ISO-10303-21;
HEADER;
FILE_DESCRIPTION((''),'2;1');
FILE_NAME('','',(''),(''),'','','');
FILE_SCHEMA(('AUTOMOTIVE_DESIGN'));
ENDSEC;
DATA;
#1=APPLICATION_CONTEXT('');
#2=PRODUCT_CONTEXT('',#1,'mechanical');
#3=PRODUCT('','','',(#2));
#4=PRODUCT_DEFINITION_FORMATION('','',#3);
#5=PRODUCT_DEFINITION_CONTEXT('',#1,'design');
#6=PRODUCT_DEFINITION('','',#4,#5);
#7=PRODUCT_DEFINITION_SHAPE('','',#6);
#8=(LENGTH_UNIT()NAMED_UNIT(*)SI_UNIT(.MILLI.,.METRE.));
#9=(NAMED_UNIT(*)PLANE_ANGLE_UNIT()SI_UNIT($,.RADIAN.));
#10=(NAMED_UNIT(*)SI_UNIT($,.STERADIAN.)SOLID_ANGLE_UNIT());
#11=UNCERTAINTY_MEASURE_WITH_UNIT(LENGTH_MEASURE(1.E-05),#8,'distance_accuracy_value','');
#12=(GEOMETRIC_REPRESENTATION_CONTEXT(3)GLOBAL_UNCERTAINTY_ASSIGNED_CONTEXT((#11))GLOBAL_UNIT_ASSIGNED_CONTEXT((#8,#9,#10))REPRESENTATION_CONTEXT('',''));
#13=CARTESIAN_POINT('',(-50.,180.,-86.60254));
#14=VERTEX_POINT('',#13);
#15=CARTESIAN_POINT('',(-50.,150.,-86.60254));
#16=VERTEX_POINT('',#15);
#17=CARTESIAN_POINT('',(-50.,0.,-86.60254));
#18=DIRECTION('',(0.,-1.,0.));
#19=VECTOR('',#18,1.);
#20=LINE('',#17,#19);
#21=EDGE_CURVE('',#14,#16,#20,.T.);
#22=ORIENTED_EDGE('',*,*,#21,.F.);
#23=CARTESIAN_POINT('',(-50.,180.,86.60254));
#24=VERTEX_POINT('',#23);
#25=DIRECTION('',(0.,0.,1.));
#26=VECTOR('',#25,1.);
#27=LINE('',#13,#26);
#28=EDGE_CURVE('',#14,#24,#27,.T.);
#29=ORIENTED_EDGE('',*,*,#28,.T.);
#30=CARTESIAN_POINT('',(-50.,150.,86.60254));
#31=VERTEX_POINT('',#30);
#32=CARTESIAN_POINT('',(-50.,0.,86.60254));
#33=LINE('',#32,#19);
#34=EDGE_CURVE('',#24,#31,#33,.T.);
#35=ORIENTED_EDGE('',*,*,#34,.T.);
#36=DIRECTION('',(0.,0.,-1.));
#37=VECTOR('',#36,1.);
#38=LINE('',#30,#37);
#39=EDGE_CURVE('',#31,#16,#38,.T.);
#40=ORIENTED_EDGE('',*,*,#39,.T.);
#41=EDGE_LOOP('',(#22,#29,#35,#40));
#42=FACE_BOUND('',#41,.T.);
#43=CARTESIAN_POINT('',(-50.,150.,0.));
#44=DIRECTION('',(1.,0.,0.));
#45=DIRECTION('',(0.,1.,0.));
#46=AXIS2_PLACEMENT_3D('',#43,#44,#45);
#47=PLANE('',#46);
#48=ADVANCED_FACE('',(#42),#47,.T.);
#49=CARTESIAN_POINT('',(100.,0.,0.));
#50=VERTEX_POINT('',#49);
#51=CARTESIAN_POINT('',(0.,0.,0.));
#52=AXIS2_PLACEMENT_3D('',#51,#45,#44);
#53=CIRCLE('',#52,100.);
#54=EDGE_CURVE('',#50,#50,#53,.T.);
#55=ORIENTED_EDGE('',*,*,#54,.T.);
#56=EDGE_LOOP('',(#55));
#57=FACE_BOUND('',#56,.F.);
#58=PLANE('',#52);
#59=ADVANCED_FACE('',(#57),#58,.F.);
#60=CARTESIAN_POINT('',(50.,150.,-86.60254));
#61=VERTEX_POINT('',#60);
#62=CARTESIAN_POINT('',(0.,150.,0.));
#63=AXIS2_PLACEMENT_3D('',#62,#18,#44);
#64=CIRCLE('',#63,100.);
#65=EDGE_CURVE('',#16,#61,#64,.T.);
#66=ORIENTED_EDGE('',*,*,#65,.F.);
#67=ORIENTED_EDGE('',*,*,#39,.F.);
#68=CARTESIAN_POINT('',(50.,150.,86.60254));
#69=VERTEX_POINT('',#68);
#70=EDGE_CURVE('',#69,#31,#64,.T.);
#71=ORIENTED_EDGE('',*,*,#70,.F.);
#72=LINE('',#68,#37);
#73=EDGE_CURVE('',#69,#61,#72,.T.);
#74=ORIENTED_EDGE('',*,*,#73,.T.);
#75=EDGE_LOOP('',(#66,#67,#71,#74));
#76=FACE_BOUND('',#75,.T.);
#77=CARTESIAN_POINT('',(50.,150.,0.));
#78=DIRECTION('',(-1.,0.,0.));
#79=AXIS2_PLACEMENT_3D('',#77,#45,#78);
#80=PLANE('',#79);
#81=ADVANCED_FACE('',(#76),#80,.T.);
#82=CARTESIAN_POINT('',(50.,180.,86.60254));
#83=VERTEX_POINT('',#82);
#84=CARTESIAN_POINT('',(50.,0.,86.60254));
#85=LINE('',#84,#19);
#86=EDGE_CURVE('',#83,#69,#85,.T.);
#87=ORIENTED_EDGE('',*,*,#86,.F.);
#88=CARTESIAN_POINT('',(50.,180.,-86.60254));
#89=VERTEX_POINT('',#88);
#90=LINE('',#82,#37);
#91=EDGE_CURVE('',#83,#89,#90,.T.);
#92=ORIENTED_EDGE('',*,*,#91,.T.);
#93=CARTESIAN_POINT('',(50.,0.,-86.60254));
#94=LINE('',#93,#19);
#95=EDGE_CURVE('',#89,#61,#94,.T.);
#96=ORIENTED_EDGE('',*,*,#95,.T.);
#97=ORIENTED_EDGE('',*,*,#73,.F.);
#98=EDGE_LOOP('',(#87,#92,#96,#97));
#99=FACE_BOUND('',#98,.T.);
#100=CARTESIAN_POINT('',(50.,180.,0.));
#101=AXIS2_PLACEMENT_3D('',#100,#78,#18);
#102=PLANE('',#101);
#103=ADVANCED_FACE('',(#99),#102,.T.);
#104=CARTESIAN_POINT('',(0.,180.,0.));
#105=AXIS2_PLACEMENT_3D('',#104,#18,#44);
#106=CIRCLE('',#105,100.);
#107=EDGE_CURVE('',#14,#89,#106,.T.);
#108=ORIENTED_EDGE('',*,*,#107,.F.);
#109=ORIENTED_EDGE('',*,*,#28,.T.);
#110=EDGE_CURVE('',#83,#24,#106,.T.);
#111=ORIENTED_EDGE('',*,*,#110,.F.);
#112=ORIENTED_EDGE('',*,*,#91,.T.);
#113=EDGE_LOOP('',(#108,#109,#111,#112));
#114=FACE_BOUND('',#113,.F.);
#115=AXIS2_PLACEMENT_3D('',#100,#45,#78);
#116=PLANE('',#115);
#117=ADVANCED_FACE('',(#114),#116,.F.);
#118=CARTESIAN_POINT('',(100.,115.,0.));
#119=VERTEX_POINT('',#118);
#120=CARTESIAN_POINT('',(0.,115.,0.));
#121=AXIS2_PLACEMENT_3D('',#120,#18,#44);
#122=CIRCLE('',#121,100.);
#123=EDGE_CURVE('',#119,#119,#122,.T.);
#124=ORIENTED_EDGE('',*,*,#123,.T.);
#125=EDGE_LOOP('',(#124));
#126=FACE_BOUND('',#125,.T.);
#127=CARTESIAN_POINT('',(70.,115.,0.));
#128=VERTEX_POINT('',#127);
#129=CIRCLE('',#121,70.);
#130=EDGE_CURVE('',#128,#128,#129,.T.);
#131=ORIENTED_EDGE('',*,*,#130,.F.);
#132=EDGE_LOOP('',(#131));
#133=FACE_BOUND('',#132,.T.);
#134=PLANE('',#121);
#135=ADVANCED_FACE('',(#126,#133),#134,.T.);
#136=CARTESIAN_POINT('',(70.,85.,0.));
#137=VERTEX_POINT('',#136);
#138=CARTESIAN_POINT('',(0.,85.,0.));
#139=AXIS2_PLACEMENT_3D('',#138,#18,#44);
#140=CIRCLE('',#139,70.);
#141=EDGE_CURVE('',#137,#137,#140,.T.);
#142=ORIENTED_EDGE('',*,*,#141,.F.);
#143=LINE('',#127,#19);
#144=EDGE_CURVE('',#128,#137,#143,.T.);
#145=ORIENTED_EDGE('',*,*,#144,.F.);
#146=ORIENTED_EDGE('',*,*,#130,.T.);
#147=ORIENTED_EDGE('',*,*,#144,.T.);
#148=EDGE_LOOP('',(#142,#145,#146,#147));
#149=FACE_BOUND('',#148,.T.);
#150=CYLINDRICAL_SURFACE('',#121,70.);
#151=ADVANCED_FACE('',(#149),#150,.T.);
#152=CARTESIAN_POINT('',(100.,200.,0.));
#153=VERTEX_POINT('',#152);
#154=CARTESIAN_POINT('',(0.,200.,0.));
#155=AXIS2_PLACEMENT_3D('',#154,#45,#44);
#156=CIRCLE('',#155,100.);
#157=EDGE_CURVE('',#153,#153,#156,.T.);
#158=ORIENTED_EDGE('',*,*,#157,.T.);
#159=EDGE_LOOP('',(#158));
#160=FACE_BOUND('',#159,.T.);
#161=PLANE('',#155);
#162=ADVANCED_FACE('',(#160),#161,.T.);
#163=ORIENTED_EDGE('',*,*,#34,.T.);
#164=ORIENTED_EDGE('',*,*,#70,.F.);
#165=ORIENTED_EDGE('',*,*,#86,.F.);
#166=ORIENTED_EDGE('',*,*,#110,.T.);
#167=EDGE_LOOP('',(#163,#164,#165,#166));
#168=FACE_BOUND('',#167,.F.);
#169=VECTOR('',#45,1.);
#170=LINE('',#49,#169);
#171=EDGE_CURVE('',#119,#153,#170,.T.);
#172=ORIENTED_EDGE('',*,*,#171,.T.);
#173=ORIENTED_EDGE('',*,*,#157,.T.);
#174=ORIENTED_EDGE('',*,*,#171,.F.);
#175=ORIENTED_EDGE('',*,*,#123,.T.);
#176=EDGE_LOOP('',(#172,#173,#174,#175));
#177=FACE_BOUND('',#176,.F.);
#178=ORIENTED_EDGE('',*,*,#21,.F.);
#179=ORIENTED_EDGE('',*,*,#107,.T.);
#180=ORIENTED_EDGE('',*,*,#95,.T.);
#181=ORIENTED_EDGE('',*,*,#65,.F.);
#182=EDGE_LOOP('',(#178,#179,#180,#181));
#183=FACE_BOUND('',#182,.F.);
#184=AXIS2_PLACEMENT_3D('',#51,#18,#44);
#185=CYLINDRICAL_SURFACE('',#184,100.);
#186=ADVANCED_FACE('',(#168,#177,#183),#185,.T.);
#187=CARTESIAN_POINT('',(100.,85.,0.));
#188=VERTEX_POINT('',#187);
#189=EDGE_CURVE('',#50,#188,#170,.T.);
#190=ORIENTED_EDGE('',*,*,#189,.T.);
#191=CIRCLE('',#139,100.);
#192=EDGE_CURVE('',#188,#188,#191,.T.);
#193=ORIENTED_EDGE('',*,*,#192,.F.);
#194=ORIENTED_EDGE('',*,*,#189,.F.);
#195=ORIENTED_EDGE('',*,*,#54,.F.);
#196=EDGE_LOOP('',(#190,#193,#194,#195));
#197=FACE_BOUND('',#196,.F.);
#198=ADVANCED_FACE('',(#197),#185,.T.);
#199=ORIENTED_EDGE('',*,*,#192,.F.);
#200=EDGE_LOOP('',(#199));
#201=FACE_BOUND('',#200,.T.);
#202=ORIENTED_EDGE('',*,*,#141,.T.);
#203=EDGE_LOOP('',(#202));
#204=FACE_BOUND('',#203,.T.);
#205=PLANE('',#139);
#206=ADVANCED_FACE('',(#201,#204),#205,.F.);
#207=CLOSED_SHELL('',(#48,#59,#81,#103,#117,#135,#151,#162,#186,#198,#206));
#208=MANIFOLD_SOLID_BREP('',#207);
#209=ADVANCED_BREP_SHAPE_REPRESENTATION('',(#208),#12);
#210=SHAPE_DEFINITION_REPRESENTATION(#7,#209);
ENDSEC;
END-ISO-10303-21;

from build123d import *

# Parameters (mm, degrees)
SKETCH2_R               = 100
BOSS_EXTRUDE1_DEPTH     = 200
CUT_EXTRUDE1_DEPTH      = 200
CUT_EXTRUDE1_DEPTH_BACK = 200


with BuildPart() as part:
    # Sketch2 → Boss-Extrude1 (new body)
    with BuildSketch(Plane(origin=(0, 0, 0), x_dir=(1, 0, 0), z_dir=(0, 1, 0))):
        Circle(SKETCH2_R)
    extrude(amount=BOSS_EXTRUDE1_DEPTH)

    # Sketch3 → Cut-Revolve3 (revolve, cut)
    with BuildSketch(Plane.XY):
        Polygon((100, 85), (100, 100), (100, 115), (70, 115), (70, 85), align=None)
    revolve(axis=Axis((0, 235.170477907, 0), (0, -1, 0)), mode=Mode.SUBTRACT)

    # Sketch4 → Cut-Extrude1 (cut, two sides: drawn at the far end of the back side and taken through both)
    with BuildSketch(Plane.XY.offset(-CUT_EXTRUDE1_DEPTH_BACK)):
        Polygon((0, 180), (50, 180), (50, 150), (-50, 150), (-50, 180), align=None)
    extrude(amount=CUT_EXTRUDE1_DEPTH + CUT_EXTRUDE1_DEPTH_BACK, mode=Mode.SUBTRACT)


solid = part.part
